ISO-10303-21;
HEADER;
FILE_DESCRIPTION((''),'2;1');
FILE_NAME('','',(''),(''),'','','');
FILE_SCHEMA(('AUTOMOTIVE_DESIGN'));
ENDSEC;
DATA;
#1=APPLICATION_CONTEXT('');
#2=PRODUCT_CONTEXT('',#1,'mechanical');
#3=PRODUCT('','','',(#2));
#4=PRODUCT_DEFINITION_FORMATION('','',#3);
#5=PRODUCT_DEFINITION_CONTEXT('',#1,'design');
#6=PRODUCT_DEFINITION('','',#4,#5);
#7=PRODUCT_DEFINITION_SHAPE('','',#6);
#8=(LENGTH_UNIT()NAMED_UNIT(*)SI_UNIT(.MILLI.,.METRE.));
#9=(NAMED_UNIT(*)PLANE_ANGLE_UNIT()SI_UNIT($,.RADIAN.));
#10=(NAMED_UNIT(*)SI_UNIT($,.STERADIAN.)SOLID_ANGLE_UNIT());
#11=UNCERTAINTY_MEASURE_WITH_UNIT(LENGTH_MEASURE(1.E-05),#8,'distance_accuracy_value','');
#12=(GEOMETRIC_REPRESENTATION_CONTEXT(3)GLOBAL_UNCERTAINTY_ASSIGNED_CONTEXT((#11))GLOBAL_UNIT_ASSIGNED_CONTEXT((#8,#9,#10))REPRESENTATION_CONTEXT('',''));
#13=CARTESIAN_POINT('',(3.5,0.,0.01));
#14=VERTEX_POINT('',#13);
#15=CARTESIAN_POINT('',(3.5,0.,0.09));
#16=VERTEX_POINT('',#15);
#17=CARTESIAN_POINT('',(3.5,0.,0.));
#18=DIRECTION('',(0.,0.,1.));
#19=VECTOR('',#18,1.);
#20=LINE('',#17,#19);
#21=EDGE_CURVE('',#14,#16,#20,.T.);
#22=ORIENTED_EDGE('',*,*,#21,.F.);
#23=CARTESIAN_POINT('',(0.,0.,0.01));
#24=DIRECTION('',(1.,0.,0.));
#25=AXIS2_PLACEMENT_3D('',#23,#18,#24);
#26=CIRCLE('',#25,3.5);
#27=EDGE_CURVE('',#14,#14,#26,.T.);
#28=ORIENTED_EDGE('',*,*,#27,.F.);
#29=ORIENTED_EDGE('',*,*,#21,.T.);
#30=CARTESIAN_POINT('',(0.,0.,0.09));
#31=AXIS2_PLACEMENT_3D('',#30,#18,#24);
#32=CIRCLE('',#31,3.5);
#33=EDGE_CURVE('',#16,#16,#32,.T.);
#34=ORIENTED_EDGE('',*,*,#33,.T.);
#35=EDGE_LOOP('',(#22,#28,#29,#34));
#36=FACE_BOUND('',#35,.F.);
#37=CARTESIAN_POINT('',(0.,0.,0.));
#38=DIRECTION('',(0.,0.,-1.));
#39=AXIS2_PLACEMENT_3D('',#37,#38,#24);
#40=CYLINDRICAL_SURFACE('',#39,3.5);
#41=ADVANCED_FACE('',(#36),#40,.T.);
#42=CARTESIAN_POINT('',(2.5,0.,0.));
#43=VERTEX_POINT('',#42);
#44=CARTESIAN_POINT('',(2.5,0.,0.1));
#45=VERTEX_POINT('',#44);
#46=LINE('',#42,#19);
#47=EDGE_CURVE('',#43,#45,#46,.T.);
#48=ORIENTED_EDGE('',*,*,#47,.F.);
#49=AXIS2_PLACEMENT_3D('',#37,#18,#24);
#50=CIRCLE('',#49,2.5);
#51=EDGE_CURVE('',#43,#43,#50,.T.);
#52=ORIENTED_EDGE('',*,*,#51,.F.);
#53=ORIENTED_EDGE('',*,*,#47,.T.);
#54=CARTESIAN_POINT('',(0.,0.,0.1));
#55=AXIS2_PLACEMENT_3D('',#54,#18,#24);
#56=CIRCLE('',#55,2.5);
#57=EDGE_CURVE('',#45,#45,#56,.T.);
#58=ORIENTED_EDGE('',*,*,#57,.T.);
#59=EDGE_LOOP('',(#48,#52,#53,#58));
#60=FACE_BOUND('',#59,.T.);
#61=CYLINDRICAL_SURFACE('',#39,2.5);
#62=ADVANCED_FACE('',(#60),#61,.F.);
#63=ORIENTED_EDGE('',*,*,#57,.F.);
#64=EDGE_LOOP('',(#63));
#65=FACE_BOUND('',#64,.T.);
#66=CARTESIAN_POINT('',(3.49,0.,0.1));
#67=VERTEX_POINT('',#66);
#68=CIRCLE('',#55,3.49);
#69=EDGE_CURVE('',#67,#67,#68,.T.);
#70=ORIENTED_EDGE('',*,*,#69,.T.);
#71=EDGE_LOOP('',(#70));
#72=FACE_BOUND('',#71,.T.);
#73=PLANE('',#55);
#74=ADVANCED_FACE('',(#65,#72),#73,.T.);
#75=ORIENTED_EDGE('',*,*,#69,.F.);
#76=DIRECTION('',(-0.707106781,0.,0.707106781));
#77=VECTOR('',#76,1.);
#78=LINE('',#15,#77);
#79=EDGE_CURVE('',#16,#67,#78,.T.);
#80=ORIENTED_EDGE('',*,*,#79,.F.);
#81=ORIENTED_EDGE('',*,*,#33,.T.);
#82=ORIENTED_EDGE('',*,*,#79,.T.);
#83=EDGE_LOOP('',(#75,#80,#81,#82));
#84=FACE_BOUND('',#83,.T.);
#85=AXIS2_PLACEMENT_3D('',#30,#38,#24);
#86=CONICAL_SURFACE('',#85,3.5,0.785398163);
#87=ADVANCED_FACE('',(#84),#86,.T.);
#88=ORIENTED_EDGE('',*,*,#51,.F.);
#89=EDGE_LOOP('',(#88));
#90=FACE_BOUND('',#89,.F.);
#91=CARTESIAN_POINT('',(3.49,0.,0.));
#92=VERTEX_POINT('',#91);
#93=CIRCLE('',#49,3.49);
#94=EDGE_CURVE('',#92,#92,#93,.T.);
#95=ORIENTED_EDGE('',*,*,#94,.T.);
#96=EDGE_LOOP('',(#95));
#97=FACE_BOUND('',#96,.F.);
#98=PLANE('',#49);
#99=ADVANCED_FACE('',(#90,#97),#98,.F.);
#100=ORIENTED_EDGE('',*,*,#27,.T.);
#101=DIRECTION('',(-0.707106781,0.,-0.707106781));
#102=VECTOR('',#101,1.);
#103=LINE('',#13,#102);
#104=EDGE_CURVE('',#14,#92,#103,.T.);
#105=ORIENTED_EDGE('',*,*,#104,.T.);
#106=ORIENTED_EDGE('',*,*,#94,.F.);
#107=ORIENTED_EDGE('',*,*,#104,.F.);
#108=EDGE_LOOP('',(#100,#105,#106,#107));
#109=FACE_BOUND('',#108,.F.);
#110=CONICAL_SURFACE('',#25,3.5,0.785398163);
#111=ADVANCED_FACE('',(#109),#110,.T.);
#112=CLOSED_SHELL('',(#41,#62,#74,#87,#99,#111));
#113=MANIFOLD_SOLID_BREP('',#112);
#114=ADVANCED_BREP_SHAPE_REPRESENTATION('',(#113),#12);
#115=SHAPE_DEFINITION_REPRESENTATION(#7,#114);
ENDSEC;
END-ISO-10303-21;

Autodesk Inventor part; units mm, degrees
ref_plane "YZ Plane" through (0, 0, 0) normal (1, 0, 0) x (0, 1, 0)
ref_plane "XZ Plane" through (0, 0, 0) normal (0, 1, 0) x (-1, 0, 0)
ref_plane "XY Plane" through (0, 0, 0) normal (0, 0, 1) x (1, 0, 0)
sketch "スケッチ1" plane through (0, 0, 0) normal (0, 0, 1) x (1, 0, 0)
  circle A0 centre (0, 0) radius 2.5
  circle A1 centre (0, 0) radius 3.5
  dimension "d0" = 5
  dimension "d1" = 7
extrude "押し出し1" add sketch "スケッチ1" along normal blind 0.1
chamfer "面取り1" distance 0.01 angle 45 2 edges at (-3.5, 0, 0.1) (-3.5, 0, 0)
properties part number "simring_Φ5-Φ7" material "ステンレス鋼"
